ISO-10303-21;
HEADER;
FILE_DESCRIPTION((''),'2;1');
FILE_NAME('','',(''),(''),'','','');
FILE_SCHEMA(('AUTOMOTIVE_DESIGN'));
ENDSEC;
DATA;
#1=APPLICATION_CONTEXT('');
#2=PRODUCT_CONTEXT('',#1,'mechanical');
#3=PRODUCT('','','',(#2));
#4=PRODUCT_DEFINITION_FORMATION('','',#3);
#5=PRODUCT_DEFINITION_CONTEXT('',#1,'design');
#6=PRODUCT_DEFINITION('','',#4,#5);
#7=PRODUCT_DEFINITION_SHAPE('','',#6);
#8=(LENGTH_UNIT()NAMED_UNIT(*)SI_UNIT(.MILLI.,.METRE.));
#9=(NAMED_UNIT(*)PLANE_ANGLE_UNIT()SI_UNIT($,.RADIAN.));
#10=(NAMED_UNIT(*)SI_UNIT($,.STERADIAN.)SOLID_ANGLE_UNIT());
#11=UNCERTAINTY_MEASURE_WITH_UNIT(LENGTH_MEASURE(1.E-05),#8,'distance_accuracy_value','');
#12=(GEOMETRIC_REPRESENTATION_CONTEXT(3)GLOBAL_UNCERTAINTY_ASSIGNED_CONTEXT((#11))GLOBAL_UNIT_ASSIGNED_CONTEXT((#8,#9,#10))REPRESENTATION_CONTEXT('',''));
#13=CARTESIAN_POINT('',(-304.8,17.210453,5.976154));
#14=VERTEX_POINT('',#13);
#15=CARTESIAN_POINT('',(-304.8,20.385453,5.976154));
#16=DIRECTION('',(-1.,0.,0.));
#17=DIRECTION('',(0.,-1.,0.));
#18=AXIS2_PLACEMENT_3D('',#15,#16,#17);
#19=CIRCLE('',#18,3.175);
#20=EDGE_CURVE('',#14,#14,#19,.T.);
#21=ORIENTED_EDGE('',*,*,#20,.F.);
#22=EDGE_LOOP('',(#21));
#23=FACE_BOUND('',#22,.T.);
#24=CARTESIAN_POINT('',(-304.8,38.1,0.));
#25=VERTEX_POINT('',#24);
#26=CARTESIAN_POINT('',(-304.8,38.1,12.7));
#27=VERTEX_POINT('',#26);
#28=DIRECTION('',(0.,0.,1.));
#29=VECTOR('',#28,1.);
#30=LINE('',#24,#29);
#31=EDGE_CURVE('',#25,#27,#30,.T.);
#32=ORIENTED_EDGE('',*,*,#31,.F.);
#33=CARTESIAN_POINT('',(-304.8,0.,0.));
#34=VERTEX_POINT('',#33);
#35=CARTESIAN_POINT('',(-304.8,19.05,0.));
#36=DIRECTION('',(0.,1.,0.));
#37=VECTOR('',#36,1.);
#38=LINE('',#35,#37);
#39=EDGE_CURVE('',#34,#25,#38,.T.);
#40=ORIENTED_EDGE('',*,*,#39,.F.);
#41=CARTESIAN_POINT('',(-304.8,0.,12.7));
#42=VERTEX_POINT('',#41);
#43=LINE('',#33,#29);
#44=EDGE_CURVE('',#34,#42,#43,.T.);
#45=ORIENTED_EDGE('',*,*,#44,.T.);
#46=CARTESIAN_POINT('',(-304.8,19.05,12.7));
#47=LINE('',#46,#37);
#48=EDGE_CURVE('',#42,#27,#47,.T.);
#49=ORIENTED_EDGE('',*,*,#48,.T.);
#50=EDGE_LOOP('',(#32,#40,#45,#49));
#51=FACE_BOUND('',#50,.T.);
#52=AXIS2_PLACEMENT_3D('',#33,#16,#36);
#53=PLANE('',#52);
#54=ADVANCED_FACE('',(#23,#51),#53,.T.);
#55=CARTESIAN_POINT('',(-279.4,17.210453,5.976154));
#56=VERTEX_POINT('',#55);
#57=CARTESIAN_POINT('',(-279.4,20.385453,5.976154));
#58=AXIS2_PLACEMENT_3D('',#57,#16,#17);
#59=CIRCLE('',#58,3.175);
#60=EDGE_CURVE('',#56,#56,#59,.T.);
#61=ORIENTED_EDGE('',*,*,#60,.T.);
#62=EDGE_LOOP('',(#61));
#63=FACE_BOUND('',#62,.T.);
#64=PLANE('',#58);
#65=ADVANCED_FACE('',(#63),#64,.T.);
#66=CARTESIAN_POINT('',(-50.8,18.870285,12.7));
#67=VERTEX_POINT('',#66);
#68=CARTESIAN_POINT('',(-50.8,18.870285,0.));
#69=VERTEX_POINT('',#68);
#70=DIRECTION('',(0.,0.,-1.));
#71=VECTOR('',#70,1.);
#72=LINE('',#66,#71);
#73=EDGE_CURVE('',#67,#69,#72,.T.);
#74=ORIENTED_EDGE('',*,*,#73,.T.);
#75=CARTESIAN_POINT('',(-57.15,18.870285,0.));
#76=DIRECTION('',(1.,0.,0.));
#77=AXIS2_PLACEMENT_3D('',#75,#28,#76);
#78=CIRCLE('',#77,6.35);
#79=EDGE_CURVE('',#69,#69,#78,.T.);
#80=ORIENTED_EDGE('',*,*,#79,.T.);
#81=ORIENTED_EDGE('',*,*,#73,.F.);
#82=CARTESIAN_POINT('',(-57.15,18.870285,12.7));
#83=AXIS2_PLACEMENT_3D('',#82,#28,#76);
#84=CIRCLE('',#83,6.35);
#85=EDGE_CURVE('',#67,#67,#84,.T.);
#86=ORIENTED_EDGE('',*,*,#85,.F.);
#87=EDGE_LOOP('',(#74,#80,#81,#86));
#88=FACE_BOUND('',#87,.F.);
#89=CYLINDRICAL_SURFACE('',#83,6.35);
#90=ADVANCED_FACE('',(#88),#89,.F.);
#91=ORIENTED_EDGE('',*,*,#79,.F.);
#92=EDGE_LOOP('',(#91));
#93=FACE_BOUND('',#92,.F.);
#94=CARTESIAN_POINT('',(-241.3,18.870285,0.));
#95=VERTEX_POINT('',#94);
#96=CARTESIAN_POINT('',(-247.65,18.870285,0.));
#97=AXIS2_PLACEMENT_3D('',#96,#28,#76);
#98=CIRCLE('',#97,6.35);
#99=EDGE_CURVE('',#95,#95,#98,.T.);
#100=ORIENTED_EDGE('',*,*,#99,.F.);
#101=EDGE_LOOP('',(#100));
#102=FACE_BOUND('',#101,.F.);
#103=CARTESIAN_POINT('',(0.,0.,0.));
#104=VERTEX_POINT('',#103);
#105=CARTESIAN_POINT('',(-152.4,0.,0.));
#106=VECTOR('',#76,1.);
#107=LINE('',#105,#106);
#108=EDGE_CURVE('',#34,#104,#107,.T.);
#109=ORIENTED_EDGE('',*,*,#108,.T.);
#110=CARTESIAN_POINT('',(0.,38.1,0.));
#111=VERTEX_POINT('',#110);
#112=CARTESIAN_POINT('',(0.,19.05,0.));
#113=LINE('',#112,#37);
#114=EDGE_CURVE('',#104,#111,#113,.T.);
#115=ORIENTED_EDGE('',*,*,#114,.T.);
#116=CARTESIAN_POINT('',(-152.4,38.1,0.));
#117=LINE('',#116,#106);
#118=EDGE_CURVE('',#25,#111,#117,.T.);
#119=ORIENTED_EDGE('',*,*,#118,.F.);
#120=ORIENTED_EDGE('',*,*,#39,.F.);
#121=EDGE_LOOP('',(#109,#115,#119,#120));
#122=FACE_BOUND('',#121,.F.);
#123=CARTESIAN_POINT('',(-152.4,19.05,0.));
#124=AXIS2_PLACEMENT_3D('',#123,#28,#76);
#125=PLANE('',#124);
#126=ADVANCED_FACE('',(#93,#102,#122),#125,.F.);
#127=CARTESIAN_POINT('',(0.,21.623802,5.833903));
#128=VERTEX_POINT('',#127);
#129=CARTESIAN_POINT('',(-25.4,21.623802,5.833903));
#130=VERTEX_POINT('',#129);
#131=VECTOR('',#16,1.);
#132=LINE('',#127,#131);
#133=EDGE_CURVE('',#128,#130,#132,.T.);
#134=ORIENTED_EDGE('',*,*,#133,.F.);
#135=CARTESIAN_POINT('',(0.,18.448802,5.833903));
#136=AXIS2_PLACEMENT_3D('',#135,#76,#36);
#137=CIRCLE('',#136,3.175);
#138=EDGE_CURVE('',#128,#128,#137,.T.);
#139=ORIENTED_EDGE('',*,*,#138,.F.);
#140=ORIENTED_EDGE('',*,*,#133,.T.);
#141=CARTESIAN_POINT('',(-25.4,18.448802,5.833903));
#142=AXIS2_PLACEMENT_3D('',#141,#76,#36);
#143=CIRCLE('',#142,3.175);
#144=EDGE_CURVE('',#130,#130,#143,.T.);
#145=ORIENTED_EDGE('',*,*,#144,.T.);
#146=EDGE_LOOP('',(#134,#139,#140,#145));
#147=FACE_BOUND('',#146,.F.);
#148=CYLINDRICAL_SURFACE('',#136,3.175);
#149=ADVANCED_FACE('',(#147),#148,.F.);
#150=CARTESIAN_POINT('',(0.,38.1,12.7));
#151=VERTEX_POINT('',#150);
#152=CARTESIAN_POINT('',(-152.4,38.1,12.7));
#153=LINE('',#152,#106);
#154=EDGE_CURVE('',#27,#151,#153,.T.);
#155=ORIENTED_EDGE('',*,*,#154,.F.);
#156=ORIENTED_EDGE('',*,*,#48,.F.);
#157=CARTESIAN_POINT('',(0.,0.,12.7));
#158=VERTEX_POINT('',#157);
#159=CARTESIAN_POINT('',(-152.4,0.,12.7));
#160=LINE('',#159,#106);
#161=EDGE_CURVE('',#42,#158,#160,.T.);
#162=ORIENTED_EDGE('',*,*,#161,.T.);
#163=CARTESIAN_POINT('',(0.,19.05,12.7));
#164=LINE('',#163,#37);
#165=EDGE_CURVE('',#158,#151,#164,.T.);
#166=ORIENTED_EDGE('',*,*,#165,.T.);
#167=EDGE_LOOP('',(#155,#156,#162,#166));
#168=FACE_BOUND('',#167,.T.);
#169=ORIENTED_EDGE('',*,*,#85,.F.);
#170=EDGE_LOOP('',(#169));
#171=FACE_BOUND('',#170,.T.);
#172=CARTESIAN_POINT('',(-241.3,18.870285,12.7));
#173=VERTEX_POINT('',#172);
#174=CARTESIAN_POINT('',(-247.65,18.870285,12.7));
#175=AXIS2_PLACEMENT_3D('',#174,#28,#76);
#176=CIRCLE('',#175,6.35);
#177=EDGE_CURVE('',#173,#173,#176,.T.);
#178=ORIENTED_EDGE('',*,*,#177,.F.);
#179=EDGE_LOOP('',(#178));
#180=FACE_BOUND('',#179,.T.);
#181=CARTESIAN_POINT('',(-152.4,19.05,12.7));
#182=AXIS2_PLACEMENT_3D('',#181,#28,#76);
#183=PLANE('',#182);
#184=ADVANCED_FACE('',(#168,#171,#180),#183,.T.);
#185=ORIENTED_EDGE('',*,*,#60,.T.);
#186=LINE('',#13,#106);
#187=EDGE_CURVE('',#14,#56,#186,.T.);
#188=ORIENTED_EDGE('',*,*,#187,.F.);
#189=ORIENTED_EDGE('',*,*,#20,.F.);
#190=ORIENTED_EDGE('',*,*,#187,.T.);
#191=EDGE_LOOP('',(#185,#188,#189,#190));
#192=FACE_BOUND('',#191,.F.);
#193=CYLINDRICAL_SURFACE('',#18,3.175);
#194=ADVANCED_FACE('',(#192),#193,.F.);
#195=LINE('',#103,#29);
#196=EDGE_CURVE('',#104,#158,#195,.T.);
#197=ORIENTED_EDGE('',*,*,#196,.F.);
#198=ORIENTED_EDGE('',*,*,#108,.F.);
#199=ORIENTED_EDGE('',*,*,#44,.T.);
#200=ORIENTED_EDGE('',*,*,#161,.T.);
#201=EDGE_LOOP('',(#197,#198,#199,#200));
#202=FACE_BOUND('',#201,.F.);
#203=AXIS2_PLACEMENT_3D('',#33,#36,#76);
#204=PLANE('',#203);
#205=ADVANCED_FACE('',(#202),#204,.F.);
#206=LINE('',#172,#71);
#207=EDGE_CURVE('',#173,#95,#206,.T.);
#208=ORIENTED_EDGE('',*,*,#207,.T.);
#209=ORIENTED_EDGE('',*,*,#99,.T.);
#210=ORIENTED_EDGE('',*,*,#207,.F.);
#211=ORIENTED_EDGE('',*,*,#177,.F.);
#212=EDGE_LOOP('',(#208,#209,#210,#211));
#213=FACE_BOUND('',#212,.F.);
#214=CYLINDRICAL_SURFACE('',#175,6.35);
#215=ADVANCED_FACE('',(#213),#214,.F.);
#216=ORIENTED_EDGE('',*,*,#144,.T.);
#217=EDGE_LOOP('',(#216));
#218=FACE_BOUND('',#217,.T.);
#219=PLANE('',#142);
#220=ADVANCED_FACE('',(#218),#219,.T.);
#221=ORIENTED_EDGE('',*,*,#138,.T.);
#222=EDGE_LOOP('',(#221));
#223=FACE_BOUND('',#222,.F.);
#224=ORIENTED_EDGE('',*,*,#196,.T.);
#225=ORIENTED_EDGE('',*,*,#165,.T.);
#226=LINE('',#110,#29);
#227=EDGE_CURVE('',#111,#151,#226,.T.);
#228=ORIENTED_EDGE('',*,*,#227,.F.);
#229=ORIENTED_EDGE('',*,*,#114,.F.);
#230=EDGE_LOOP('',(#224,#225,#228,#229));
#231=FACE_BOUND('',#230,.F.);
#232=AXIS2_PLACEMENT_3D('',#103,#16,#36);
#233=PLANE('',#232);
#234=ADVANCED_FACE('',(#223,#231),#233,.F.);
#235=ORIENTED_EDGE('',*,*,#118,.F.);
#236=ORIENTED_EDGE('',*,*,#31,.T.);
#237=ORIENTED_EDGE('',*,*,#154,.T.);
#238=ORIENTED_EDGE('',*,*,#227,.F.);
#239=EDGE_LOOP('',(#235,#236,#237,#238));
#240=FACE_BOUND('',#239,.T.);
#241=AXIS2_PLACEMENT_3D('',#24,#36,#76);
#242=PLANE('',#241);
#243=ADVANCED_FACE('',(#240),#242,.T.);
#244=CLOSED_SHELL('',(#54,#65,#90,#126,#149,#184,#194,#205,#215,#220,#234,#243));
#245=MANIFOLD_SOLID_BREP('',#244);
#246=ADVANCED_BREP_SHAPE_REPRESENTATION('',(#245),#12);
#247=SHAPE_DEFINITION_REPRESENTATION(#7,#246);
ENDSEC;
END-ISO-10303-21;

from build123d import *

# Parameters (mm, degrees)
F0_W     = 304.8
F0_H     = 38.1
F1_DEPTH = 12.7
F2_R     = 3.175
F3_DEPTH = 25.4
F4_R     = 3.175
F5_DEPTH = 25.4
F6_R     = 6.35
F7_DEPTH = 12.701


with BuildPart() as f1:
    # F0 (on Top) → F1 (new body)
    with BuildSketch(Plane.XY):
        with Locations((-152.4, 19.05)):
            Rectangle(F0_W, F0_H)
    extrude(amount=F1_DEPTH)

    # F2 (on face) → F3 (cut)
    with BuildSketch(Plane.YZ):
        with Locations((18.448802, 5.833903)):
            Circle(F2_R)
    extrude(amount=-F3_DEPTH, mode=Mode.SUBTRACT)

    # F4 (on face) → F5 (cut)
    with BuildSketch(Plane(origin=(-304.8, 0, 0), x_dir=(0, -1, 0), z_dir=(-1, 0, 0))):
        with Locations((-20.385453, 5.976154)):
            Circle(F4_R)
    extrude(amount=-F5_DEPTH, mode=Mode.SUBTRACT)

    # F6 (on face) → F7 (cut, through all)
    with BuildSketch(Plane.XY.offset(12.7)):
        with Locations((-247.65, 18.870285)):
            Circle(F6_R)
        with Locations((-57.15, 18.870285)):
            Circle(F6_R)
    extrude(amount=-F7_DEPTH, mode=Mode.SUBTRACT)


solid = f1.part
